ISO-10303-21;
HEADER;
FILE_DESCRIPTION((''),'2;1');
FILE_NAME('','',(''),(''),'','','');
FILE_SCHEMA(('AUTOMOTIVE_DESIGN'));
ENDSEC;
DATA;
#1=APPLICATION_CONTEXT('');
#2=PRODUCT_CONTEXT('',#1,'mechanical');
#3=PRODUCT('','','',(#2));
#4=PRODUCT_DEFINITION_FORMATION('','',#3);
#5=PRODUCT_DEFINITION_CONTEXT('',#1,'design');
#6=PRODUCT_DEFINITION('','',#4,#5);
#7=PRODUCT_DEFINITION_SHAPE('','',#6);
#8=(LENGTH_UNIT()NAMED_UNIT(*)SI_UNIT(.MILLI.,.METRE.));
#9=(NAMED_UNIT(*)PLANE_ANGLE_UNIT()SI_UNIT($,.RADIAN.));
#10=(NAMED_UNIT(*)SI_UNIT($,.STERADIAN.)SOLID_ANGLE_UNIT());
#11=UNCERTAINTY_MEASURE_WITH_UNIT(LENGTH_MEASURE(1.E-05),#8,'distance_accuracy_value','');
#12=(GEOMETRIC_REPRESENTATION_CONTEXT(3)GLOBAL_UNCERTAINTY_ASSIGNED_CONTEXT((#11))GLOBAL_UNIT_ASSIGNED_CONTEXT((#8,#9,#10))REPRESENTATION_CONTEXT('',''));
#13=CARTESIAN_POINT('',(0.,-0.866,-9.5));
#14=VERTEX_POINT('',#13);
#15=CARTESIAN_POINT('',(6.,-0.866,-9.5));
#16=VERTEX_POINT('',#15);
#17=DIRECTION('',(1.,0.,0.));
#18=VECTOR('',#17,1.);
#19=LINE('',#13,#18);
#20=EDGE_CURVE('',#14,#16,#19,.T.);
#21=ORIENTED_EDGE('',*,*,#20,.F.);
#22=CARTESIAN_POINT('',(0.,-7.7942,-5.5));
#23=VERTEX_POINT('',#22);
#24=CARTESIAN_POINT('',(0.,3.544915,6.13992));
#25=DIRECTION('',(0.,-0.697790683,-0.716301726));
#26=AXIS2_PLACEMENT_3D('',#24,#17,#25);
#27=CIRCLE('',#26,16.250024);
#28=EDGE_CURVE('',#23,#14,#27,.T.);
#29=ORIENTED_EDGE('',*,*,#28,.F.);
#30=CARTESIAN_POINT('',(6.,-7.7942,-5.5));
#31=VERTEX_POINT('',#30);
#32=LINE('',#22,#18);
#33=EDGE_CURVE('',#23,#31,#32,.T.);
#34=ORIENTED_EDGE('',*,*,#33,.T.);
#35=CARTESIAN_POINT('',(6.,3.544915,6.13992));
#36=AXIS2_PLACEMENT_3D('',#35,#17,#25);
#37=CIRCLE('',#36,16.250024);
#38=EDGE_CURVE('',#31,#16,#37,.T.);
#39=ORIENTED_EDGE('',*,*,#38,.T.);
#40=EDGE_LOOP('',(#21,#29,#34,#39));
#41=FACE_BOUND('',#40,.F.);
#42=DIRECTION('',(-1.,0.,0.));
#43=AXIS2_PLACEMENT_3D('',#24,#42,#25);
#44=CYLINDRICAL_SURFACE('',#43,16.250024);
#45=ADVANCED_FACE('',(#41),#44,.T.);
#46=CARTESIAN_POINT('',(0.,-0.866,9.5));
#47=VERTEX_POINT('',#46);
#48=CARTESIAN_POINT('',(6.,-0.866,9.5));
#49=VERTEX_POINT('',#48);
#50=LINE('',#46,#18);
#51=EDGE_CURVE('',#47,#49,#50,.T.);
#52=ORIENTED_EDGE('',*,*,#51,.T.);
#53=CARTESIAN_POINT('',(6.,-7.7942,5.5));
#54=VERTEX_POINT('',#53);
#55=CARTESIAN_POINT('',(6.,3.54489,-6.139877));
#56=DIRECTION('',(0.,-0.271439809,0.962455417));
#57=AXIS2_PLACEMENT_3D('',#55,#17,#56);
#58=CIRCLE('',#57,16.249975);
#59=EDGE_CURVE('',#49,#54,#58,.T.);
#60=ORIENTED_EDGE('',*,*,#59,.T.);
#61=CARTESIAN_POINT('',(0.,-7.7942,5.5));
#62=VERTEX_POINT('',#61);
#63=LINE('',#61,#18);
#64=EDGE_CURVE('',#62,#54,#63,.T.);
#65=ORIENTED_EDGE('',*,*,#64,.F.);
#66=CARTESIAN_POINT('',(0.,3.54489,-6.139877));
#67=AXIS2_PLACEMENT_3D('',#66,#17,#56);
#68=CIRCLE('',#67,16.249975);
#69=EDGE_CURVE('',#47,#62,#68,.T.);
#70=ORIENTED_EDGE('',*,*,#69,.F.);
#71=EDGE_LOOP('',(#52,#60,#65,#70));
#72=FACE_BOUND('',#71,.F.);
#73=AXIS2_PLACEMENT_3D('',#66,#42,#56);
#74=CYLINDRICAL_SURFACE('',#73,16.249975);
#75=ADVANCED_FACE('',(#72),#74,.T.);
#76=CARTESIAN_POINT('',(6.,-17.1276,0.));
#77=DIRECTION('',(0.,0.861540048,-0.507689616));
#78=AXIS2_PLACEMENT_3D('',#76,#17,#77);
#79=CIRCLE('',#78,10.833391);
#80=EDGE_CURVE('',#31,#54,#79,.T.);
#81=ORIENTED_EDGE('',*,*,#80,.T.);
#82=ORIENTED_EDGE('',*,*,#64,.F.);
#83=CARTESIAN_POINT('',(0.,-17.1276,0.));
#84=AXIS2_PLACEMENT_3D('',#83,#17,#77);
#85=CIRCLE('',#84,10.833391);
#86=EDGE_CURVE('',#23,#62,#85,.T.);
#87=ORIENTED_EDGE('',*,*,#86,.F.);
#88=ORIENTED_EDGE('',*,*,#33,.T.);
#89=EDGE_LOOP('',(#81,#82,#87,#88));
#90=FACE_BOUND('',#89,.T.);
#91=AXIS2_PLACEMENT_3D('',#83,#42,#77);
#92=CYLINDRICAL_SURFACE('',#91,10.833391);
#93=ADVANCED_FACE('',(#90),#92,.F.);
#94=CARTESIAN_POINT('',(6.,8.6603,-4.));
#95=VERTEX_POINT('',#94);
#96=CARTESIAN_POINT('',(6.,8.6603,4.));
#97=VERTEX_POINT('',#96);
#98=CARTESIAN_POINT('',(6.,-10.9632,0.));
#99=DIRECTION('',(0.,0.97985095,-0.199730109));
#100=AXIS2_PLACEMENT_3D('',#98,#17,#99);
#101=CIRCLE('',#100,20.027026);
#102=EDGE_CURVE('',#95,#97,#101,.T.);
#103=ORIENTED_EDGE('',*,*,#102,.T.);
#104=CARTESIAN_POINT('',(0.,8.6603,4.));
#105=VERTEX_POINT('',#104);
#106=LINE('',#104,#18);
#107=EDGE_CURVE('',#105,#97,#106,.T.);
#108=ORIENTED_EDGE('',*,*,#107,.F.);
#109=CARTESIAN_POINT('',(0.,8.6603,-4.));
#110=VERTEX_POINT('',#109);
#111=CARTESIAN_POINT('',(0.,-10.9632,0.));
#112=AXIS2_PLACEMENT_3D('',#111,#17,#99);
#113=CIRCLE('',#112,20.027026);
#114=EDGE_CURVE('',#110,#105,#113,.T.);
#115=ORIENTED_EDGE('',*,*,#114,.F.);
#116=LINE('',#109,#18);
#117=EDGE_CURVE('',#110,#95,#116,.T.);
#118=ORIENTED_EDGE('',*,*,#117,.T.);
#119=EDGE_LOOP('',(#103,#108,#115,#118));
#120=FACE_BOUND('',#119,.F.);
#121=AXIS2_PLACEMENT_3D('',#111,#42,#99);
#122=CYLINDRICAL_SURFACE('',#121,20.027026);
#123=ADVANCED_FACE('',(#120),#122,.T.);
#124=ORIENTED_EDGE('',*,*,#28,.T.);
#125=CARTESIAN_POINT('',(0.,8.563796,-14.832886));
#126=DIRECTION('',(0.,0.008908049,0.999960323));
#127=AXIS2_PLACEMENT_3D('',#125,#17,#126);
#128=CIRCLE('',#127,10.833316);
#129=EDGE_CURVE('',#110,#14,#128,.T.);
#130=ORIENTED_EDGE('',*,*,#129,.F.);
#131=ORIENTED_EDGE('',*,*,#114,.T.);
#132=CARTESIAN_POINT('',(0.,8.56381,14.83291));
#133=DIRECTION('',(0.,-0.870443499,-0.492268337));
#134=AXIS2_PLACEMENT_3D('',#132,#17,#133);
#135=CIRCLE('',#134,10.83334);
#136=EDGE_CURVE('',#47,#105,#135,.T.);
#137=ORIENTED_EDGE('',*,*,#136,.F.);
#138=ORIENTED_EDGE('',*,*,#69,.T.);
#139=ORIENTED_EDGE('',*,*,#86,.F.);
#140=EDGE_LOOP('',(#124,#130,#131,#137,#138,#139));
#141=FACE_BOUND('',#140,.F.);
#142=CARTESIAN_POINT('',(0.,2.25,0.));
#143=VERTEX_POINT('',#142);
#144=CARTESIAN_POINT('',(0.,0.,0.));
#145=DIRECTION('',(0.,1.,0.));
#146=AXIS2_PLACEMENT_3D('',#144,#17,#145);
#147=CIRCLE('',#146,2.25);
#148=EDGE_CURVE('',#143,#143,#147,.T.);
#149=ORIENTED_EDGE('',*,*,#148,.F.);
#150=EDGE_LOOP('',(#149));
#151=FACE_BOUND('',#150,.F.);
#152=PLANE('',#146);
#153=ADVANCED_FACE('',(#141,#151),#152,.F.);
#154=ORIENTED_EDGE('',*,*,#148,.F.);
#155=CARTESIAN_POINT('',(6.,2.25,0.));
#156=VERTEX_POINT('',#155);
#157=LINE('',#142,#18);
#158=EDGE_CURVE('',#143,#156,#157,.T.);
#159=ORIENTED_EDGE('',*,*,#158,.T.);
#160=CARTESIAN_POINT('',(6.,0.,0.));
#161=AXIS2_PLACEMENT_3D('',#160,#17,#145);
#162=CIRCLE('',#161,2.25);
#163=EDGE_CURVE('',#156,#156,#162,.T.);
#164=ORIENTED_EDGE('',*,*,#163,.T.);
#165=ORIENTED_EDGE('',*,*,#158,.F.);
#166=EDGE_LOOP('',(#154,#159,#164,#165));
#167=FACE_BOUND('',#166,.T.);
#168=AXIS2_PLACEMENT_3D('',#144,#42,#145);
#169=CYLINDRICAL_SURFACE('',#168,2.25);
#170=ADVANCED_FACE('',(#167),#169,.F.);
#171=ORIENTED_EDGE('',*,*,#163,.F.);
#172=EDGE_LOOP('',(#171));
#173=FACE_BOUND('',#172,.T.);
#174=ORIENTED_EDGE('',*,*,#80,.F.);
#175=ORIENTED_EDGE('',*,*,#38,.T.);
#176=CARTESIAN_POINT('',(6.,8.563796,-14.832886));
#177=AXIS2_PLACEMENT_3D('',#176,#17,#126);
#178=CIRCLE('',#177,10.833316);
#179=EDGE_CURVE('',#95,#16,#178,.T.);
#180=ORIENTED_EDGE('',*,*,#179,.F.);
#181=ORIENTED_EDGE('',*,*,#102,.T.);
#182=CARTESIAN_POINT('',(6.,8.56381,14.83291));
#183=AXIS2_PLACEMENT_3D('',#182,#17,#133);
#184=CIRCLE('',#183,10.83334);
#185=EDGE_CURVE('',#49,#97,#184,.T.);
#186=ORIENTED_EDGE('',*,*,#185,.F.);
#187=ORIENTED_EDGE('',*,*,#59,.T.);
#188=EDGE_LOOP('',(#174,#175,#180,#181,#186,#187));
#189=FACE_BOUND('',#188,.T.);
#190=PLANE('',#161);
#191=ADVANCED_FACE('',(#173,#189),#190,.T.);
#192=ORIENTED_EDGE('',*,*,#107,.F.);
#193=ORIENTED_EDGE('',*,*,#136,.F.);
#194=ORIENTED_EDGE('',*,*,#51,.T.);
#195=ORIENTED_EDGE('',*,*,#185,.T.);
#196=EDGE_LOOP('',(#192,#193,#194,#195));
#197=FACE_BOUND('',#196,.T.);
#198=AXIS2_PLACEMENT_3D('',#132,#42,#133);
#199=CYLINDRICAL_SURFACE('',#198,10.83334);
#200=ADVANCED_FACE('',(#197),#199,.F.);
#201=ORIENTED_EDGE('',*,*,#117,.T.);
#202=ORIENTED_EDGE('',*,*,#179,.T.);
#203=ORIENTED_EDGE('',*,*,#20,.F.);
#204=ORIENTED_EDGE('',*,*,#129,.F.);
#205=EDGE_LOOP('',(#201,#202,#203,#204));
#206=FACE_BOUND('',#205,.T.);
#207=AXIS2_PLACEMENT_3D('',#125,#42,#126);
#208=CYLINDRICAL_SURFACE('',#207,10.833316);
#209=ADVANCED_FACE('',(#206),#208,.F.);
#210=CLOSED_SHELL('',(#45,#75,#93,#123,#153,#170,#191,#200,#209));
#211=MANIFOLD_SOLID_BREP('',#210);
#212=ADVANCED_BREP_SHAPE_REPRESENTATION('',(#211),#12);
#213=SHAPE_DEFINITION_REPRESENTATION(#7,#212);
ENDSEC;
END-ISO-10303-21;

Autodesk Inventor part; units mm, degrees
ref_plane "YZ Plane" through (0, 0, 0) normal (1, 0, 0) x (0, 1, 0)
ref_plane "XZ Plane" through (0, 0, 0) normal (0, 1, 0) x (-1, 0, 0)
ref_plane "XY Plane" through (0, 0, 0) normal (0, 0, 1) x (1, 0, 0)
sketch "草图1" plane through (0, 0, 0) normal (1, 0, 0) x (0, 1, 0)
  point P0 (0, 0)
sketch "草图2" plane through (0, 0, 0) normal (1, 0, 0) x (0, 1, 0)
  circle A0 centre (0, 0) radius 2.25
  arc A1 (-7.7942, -5.5) -> (-7.7942, 5.5) centre (-17.1276, 0) ccw
  arc A2 (-0.866, 9.5) -> (8.6603, 4) centre (8.5638, 14.8329) ccw
  arc A3 (8.6603, -4) -> (-0.866, -9.5) centre (8.5638, -14.8329) ccw
  arc A4 (8.6603, -4) -> (8.6603, 4) centre (-10.9632, 0) ccw
  arc A5 (-0.866, 9.5) -> (-7.7942, 5.5) centre (3.5449, -6.1399) ccw
  arc A6 (-7.7942, -5.5) -> (-0.866, -9.5) centre (3.5449, 6.1399) ccw
  dimension "d0" = 4.5
extrude "拉伸1" add sketch "草图2" along normal blind 6
thread "螺纹1" size "M4.5x0.75" class "6H" standard "ANSI Metric M Profile" full length
equation "\"折弯半径\" = 厚度"
equation "\"折弯释压宽度\" = 厚度"
equation "\"折弯释压深度\" = 0.5 * 厚度"
equation "\"拐角释压尺寸\" = 4 * 厚度"
equation "\"最小余量\" = 2 * 厚度"
equation "\"过渡半径\" = 折弯半径"
equation "\"Jacobi半径尺寸\" = 折弯半径"
equation "\"间隙大小\" = 厚度"
equation "\"厚度\" = 0.5"
